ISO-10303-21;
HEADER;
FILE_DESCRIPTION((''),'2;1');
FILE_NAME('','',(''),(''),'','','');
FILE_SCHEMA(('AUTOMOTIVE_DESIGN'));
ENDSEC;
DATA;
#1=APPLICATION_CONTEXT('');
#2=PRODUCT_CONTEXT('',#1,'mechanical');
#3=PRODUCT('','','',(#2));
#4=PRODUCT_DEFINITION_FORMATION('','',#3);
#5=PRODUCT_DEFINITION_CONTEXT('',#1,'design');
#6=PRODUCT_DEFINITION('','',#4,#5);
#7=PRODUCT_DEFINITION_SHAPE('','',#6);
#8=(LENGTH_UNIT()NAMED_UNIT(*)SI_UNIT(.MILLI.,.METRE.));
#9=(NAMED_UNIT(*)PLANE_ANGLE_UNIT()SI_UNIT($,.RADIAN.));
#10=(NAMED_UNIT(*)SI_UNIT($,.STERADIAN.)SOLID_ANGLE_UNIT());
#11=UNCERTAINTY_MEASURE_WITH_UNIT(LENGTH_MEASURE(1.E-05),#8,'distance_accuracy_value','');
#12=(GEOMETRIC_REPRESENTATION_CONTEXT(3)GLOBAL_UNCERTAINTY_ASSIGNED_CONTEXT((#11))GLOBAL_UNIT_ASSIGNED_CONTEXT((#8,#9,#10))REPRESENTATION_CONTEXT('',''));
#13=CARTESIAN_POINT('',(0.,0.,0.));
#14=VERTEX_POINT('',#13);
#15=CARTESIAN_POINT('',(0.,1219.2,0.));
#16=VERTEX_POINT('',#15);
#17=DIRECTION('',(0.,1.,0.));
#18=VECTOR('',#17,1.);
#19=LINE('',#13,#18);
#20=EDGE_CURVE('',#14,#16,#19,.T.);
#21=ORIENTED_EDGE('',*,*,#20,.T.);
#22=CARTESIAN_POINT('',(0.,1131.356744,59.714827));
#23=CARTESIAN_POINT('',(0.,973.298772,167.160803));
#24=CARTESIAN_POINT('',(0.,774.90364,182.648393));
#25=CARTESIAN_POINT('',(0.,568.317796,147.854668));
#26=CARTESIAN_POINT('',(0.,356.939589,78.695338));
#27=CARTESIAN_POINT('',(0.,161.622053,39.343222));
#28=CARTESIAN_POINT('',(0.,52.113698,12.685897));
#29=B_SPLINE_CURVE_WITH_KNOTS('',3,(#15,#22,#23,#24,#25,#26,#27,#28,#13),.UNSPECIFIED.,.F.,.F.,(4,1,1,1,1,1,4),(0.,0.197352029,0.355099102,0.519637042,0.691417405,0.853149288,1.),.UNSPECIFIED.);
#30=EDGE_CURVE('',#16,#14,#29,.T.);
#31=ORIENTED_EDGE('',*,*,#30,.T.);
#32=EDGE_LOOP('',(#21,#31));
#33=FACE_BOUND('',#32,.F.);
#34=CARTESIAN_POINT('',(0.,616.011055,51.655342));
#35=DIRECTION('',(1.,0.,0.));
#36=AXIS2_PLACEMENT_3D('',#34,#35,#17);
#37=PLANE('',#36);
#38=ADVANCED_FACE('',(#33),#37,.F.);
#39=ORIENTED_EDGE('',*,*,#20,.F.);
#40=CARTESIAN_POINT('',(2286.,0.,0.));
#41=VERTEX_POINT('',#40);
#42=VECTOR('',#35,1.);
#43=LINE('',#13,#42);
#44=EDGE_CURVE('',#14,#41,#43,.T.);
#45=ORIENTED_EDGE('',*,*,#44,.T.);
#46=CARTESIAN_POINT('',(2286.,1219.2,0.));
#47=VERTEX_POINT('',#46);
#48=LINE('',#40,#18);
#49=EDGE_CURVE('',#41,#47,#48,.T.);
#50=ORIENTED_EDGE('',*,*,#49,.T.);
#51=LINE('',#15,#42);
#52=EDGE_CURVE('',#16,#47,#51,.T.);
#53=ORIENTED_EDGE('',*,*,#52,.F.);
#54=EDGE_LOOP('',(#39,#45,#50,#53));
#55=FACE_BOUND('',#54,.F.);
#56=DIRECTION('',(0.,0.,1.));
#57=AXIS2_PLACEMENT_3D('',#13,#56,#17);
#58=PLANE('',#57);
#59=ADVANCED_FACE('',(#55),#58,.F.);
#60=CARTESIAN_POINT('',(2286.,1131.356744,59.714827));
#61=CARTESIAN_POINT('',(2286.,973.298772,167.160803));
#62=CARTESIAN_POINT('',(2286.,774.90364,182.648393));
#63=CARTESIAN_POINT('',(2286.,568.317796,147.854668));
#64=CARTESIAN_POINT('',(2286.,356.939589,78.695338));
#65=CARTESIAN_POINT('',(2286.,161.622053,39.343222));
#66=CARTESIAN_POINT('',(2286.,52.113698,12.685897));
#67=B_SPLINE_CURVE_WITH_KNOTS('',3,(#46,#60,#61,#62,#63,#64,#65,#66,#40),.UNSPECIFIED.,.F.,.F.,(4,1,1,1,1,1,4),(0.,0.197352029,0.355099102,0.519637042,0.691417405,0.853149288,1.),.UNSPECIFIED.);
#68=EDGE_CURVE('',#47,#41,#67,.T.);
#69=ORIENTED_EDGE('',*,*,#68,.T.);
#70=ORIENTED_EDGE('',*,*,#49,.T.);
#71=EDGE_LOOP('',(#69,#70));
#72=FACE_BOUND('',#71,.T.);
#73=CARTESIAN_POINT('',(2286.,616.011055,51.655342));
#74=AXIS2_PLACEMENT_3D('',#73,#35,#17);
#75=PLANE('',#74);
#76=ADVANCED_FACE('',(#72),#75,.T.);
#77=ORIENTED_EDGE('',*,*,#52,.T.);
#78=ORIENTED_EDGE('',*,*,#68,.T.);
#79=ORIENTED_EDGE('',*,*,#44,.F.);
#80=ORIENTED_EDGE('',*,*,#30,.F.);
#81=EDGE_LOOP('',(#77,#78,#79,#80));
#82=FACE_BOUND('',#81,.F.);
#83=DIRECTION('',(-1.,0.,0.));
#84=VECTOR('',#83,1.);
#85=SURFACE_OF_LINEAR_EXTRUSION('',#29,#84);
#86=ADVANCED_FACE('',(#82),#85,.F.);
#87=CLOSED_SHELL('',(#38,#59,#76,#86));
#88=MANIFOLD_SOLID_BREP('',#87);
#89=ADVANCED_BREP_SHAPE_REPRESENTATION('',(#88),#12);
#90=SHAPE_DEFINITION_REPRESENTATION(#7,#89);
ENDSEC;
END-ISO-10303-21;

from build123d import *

# Parameters (mm, degrees)
F1_DEPTH = 2286


with BuildPart() as f1:
    # F0 (on Right) → F1 (new body)
    with BuildSketch(Plane.YZ):
        with BuildLine():
            Line((0, 0), (1219.2, 0))
            add(Edge.make_bspline(
                [(1219.2, 0), (1131.3567437792, 59.7148267989), (973.2987720927, 167.1608028419), (774.9036402017, 182.6483930103), (568.3177964868, 147.8546679936), (356.9395888019, 78.6953382211), (161.6220533881, 39.3432216543), (52.1136975755, 12.6858972025), (0, 0)],
                knots=[0, 0, 0, 0, 0.1973520288, 0.3550991017, 0.5196370423, 0.6914174048, 0.8531492878, 1, 1, 1, 1], degree=3))
        make_face()
    extrude(amount=F1_DEPTH)


solid = f1.part
